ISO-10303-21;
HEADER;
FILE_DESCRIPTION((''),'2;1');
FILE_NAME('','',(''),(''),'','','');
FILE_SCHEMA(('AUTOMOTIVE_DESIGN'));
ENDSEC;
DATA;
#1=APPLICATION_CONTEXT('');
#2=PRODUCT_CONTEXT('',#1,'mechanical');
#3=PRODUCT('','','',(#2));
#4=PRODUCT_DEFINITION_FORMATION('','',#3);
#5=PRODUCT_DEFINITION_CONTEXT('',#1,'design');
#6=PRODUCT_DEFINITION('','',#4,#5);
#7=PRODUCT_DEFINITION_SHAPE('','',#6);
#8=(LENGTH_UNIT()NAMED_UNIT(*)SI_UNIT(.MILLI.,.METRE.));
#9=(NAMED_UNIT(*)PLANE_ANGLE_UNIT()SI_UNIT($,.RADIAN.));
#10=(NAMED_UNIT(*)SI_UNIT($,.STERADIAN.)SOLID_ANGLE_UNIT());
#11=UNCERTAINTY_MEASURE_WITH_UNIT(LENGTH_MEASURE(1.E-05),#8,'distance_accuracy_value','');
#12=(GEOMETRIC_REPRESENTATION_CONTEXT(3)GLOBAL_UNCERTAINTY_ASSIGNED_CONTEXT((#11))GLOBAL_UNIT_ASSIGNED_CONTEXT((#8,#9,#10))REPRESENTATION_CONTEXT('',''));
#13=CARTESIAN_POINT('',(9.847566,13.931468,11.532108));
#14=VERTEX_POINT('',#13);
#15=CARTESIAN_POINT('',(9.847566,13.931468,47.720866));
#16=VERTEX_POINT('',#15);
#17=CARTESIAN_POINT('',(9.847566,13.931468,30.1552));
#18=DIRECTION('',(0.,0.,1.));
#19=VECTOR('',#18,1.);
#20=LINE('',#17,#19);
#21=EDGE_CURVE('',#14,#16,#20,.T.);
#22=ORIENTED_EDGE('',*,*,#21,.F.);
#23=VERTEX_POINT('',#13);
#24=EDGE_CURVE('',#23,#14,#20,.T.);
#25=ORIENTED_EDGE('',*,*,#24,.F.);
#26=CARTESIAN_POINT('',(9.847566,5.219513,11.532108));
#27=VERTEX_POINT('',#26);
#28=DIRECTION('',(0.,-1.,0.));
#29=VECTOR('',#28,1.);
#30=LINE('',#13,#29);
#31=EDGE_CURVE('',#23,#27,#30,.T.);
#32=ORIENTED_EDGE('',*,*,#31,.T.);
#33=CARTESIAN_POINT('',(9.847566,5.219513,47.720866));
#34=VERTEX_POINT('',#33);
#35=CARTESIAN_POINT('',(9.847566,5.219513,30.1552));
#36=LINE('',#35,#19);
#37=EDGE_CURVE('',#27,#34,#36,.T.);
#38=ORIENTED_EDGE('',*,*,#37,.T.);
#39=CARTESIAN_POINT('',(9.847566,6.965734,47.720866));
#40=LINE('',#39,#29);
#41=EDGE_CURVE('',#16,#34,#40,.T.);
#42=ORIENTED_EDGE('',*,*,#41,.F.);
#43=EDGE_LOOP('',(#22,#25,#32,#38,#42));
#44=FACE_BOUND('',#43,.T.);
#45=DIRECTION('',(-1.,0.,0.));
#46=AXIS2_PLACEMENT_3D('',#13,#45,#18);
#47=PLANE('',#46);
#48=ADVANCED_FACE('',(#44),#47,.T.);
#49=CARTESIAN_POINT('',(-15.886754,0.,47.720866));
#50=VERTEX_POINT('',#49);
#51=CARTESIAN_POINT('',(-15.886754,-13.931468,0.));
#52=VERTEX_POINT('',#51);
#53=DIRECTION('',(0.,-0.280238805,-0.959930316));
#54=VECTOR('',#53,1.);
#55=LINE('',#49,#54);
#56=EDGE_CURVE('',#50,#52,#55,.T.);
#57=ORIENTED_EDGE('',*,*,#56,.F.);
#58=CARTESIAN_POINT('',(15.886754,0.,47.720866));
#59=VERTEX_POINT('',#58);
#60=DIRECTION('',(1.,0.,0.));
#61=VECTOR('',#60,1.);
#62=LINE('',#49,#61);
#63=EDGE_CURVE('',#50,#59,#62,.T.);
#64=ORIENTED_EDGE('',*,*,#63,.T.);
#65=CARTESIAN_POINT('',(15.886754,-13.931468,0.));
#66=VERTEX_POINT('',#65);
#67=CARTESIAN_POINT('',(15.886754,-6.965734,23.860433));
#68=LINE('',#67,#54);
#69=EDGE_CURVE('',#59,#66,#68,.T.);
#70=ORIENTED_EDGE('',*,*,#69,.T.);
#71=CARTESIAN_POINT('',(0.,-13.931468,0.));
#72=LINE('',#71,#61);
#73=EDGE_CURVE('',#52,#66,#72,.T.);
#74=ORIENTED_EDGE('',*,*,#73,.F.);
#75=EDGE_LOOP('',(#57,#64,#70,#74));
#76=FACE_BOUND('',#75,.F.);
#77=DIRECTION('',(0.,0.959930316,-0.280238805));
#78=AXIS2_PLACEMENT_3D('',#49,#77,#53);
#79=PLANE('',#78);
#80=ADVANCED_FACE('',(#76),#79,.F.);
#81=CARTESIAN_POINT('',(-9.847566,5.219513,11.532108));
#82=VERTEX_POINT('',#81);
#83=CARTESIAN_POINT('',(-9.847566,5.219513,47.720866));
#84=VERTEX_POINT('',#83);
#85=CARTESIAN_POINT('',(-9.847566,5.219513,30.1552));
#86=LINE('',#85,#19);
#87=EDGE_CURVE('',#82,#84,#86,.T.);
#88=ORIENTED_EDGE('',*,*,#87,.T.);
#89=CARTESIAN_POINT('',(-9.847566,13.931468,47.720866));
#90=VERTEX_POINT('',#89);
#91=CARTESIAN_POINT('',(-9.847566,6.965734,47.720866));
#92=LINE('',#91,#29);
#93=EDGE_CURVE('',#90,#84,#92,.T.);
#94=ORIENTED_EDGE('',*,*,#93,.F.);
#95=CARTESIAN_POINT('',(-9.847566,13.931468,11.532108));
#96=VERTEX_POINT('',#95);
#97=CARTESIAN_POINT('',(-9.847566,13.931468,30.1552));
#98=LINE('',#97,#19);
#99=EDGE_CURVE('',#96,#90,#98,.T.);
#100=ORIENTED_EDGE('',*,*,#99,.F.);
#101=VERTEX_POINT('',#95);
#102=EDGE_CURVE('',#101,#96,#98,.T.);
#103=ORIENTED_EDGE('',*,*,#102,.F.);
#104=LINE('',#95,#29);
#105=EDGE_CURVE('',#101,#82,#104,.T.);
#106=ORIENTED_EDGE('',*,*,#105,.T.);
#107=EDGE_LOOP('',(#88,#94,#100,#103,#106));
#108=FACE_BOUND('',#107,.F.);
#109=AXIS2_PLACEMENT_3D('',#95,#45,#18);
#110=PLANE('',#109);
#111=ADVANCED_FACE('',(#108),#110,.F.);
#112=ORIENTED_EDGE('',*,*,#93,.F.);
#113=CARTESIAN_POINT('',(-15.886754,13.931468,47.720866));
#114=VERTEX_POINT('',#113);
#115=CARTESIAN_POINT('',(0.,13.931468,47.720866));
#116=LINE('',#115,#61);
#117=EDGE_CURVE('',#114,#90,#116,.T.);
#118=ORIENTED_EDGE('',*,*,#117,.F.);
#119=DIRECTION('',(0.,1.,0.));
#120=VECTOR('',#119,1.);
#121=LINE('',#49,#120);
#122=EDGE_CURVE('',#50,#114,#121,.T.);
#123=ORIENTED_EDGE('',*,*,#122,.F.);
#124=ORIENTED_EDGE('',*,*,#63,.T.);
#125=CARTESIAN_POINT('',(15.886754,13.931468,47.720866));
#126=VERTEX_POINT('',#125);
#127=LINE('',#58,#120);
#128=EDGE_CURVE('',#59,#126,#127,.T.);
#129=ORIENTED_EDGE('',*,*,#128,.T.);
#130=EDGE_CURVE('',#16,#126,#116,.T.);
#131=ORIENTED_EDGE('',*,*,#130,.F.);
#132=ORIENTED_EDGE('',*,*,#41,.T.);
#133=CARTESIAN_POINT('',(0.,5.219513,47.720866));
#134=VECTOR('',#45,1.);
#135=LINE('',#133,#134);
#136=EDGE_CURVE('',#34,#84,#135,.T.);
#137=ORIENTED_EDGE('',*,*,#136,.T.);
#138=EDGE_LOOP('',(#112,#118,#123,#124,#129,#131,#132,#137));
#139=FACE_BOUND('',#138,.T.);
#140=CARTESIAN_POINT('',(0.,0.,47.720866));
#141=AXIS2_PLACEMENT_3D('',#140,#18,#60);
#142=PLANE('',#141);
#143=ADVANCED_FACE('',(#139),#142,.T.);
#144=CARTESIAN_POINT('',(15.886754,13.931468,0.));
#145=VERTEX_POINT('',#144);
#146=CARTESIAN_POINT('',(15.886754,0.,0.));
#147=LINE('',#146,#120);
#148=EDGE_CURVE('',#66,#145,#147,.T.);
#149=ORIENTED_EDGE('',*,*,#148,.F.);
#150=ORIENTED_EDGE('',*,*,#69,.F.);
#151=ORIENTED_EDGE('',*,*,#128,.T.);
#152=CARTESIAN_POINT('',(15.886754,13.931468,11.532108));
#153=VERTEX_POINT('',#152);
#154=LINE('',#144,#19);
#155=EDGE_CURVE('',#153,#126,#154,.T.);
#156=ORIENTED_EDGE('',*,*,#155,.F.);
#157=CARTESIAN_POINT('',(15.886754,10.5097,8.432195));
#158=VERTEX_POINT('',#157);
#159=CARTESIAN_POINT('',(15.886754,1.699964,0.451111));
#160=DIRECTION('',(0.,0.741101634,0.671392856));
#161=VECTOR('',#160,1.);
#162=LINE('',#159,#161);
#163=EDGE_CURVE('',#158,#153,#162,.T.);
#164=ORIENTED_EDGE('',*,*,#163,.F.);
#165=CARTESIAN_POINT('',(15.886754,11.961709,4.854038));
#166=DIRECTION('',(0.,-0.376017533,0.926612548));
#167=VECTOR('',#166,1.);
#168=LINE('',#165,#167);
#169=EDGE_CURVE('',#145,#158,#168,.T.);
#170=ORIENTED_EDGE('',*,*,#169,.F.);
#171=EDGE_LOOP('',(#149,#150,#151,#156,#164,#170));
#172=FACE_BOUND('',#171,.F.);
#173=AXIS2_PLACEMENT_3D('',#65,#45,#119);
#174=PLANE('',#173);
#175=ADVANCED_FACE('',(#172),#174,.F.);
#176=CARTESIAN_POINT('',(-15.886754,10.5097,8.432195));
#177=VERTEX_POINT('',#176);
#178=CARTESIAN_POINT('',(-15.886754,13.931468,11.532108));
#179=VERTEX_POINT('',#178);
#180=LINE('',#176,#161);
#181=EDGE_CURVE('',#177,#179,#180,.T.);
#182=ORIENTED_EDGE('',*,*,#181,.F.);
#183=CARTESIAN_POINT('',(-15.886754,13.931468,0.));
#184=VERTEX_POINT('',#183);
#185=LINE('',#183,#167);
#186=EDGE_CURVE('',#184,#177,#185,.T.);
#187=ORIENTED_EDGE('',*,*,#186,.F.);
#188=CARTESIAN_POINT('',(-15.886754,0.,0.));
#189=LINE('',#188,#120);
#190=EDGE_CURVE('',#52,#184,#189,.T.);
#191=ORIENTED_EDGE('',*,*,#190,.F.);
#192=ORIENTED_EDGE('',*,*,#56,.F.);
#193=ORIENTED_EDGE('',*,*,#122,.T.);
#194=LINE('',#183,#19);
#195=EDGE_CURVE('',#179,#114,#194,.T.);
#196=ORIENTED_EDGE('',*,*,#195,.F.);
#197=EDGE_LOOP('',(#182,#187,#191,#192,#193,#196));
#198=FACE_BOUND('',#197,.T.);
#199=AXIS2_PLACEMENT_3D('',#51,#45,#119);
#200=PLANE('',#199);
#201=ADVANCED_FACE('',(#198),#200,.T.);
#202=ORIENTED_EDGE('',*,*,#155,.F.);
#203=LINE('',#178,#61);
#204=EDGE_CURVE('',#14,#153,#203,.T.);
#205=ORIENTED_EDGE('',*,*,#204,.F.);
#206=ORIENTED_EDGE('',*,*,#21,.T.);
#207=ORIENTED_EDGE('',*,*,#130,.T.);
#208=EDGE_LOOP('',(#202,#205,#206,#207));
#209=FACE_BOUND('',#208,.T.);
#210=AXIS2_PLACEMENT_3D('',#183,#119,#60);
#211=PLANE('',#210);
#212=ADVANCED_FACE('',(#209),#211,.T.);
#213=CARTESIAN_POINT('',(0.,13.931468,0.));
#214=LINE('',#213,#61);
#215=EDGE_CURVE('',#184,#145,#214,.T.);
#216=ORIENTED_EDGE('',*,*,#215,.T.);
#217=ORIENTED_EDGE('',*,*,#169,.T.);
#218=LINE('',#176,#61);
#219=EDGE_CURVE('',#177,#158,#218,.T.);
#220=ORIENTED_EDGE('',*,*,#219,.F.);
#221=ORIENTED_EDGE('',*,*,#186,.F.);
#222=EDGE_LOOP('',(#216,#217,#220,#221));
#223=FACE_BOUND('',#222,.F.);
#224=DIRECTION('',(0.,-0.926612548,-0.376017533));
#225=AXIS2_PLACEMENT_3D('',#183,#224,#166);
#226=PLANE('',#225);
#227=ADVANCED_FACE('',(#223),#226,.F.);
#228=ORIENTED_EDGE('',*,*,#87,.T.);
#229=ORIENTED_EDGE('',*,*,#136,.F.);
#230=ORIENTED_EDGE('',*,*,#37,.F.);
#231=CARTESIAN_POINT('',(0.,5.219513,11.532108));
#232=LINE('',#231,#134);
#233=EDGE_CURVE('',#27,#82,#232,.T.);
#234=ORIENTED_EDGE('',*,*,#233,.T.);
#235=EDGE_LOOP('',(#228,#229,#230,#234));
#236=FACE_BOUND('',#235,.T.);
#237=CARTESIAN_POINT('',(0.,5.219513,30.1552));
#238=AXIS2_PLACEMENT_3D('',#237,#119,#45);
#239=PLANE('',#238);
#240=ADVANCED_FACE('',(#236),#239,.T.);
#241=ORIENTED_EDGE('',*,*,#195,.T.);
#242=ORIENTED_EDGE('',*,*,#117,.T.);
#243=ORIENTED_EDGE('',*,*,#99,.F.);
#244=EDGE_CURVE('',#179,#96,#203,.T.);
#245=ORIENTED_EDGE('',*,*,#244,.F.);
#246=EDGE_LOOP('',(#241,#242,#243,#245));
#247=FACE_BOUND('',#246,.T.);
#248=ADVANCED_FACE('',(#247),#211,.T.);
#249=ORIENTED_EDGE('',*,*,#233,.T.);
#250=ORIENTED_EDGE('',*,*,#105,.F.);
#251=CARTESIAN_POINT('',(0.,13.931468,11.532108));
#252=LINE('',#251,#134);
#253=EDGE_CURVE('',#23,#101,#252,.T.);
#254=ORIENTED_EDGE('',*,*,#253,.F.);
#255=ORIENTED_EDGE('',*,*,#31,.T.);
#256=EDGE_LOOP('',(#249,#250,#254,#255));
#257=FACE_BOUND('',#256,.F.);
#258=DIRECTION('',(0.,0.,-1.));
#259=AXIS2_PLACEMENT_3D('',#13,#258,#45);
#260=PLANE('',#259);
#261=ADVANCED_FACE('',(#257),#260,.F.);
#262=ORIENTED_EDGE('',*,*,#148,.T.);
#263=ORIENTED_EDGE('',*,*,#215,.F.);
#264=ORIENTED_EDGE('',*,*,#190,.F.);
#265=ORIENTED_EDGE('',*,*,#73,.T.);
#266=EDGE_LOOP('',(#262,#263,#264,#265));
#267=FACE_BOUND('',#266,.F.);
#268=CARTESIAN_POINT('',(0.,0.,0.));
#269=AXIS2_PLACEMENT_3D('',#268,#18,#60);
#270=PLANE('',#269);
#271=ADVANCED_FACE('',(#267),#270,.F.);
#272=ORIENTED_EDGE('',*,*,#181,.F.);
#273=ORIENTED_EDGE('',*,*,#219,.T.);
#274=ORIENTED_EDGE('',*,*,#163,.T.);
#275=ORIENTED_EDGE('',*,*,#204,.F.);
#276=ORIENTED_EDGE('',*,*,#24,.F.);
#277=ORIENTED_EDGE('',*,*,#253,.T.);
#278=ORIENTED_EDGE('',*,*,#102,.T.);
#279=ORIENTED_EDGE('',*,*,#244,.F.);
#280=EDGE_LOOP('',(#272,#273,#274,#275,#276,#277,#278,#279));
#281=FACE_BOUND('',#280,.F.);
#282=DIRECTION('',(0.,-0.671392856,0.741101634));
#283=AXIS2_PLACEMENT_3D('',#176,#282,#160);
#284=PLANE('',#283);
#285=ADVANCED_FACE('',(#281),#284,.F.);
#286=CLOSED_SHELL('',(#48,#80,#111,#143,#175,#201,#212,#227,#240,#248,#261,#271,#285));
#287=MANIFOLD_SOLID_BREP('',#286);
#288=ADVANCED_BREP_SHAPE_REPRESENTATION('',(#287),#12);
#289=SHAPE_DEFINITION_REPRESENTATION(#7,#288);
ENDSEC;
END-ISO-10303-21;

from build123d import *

# Parameters (mm, degrees)
F0_W     = 31.773508
F0_H     = 27.862936
F1_DEPTH = 47.720866
F3_DEPTH = 35.224047
F4_W     = 19.695132
F4_H     = 37.246185
F5_DEPTH = 8.711955


with BuildPart() as f1:
    # F0 (on Top) → F1 (new body)
    with BuildSketch(Plane.XY):
        Rectangle(F0_W, F0_H)
    extrude(amount=F1_DEPTH)

    # F2 (on face) → F3 (cut)
    with BuildSketch(Plane(origin=(-15.886754, 0, 0), x_dir=(0, -1, 0), z_dir=(-1, 0, 0))):
        Polygon((13.931468, 47.720866), (0, 47.720866), (13.931468, 0), align=None)
        Polygon((-13.931468, 11.532108), (-13.931468, 0), (-10.5097, 8.432195), align=None)
    extrude(amount=-F3_DEPTH, mode=Mode.SUBTRACT)

    # F4 (on face) → F5 (cut)
    with BuildSketch(Plane(origin=(0, 13.931468, 0), x_dir=(-1, 0, 0), z_dir=(0, 1, 0))):
        with Locations((0, 30.1552)):
            Rectangle(F4_W, F4_H)
    extrude(amount=-F5_DEPTH, mode=Mode.SUBTRACT)


solid = f1.part
